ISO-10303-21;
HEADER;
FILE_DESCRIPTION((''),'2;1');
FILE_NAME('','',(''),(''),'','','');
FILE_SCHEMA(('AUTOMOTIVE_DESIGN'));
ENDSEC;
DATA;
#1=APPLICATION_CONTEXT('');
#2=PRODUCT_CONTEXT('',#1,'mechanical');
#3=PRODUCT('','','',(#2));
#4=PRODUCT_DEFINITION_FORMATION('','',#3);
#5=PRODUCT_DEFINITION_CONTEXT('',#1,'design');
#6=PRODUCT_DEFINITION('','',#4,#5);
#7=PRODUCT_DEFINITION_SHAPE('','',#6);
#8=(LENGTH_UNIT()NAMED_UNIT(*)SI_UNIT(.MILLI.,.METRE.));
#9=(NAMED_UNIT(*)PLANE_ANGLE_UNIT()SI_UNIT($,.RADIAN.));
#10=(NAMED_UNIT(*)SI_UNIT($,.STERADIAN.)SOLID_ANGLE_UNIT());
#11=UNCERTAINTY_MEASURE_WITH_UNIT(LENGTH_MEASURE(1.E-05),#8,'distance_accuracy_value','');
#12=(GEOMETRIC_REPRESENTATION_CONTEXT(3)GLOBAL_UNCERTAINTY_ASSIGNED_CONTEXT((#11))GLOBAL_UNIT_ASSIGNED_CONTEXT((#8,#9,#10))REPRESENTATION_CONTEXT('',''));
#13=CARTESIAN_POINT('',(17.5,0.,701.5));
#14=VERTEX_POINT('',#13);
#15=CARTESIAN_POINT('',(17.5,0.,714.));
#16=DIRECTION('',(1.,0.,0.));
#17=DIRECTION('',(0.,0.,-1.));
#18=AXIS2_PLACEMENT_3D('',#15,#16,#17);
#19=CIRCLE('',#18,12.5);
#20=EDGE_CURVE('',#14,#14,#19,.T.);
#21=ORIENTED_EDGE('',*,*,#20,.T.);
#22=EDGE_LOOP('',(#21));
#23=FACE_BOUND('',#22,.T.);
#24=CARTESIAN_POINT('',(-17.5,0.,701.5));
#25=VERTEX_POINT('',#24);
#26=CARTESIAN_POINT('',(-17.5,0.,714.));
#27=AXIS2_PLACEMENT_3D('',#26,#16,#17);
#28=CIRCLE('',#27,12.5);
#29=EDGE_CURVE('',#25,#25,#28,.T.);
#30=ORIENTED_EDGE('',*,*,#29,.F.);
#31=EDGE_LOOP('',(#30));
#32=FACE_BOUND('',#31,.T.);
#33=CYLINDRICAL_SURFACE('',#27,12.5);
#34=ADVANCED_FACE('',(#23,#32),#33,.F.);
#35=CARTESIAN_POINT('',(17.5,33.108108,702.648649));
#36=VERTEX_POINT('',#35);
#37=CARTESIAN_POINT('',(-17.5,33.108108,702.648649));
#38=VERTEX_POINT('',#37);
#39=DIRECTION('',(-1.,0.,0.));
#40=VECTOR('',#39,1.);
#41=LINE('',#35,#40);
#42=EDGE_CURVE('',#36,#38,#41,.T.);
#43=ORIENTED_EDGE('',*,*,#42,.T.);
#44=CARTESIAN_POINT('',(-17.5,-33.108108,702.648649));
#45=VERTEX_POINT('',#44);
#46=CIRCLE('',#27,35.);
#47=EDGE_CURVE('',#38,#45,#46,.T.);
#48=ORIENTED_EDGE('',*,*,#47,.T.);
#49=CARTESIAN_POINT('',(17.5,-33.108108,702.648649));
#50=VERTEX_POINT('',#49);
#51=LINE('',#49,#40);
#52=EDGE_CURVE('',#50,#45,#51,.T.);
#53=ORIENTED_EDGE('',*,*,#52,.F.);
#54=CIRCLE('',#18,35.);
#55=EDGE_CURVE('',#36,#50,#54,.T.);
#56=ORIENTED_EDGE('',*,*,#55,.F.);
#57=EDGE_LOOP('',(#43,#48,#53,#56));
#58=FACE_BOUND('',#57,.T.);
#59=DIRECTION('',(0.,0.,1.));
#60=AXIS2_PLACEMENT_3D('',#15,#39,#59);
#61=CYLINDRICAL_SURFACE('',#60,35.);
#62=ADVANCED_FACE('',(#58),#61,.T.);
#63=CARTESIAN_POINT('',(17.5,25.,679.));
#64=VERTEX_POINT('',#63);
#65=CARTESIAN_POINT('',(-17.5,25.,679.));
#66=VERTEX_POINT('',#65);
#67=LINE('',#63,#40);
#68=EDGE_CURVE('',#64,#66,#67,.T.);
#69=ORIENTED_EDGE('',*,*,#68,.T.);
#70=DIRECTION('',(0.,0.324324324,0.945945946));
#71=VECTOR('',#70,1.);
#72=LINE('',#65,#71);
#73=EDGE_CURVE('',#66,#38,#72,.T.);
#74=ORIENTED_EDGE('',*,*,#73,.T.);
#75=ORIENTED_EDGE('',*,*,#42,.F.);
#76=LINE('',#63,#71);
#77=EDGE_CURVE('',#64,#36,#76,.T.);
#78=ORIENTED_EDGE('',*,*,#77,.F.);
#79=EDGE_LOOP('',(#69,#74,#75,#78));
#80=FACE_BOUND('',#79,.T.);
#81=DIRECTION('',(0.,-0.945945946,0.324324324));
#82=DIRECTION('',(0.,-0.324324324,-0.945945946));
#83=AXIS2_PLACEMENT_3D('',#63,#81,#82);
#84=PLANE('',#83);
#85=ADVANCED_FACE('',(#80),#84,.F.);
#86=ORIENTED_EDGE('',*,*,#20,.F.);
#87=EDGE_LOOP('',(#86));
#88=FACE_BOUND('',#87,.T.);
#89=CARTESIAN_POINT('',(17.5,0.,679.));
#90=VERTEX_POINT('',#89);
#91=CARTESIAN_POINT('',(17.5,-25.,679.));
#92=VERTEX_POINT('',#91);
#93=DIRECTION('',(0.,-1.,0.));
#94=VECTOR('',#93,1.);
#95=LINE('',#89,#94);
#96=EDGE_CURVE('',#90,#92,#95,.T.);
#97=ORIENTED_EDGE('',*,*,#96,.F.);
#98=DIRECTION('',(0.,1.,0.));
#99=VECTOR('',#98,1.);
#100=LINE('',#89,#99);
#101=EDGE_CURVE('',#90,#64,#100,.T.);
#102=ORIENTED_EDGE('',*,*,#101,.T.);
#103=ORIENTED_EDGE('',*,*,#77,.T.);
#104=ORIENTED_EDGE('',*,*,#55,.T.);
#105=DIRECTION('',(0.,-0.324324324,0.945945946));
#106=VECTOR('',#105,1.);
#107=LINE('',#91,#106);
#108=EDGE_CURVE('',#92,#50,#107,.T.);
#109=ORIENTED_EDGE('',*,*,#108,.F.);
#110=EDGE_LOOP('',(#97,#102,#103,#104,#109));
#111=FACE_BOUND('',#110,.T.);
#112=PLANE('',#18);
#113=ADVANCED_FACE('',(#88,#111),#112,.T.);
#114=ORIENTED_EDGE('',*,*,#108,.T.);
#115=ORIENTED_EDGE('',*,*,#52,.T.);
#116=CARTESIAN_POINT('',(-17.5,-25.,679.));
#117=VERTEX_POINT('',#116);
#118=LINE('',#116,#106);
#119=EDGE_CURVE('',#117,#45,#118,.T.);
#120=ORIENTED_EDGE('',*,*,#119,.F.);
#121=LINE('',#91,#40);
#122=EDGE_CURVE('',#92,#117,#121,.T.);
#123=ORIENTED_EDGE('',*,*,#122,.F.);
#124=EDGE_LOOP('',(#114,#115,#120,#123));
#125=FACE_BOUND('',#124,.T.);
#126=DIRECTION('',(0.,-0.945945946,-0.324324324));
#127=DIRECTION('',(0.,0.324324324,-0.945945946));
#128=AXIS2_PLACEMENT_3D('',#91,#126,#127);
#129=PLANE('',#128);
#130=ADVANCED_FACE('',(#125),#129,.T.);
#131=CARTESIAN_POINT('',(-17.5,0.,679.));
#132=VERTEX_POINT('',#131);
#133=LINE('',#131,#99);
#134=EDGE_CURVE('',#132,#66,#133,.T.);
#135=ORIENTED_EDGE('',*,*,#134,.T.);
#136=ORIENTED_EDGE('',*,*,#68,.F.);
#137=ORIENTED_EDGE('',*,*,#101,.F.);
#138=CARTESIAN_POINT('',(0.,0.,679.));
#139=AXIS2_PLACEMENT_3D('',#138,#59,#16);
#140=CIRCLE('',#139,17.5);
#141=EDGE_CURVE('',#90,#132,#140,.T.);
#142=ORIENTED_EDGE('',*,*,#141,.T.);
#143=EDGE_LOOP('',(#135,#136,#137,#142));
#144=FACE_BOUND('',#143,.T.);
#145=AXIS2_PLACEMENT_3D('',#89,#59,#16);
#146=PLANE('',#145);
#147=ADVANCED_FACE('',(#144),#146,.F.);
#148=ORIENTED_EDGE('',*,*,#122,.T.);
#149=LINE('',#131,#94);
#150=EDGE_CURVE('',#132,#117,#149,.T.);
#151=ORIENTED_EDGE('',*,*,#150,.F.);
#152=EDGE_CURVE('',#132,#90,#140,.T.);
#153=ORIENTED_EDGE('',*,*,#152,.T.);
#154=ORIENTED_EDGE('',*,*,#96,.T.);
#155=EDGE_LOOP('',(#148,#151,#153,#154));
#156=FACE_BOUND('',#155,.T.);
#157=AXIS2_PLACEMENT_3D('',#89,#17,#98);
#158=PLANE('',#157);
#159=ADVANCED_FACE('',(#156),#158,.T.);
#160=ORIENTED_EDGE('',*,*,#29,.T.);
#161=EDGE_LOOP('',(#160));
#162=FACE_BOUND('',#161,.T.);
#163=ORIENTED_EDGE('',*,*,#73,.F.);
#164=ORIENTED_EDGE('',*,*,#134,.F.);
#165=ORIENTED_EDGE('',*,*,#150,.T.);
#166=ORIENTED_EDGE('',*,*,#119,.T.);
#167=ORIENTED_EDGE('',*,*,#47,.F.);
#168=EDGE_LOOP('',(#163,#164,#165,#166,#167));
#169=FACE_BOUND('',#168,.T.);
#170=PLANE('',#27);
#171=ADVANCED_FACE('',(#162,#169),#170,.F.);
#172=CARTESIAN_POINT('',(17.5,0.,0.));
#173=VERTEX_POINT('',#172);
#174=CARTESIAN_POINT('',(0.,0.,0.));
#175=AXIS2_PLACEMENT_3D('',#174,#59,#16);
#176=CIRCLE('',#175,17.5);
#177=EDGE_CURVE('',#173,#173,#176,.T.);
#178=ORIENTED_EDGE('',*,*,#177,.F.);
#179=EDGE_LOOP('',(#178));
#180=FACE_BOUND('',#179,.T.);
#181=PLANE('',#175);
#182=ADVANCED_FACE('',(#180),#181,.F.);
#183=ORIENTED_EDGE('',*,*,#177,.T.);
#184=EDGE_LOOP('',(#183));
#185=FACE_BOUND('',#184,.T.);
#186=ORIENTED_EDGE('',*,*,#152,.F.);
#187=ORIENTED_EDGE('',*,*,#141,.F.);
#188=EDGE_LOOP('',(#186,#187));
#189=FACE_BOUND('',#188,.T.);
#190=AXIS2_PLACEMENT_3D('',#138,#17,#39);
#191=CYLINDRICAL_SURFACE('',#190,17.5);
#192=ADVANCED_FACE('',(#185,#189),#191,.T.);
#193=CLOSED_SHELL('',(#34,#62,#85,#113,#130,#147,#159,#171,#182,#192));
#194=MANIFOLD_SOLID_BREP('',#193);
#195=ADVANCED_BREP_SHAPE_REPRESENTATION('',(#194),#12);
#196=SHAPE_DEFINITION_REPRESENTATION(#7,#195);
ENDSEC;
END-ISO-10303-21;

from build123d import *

# Parameters (mm, degrees)
SKETCH1_R           = 17.5
BOSS_EXTRUDE1_DEPTH = 679
BOSS_EXTRUDE3_DEPTH = 17.5
SKETCH5_R           = 12.5
CUT_EXTRUDE1_DEPTH  = 35


with BuildPart() as part:
    # Sketch1 → Boss-Extrude1 (new body)
    with BuildSketch(Plane.XY):
        Circle(SKETCH1_R)
    extrude(amount=BOSS_EXTRUDE1_DEPTH)

    # Sketch3 → Boss-Extrude3 (add, symmetric)
    with BuildSketch(Plane(origin=(0, 0, 0), x_dir=(0, 0, -1), z_dir=(1, 0, 0))):
        with BuildLine():
            Line((-679, 0), (-749, 0))
            ThreePointArc((-749, 0), (-734.34333678, 28.480671492), (-702.648648649, 33.108108108))
            Line((-702.648648649, 33.108108108), (-679, 25))
            Line((-679, 25), (-679, 0))
        make_face()
    boss_extrude3 = extrude(amount=BOSS_EXTRUDE3_DEPTH, both=True)

    # Mirror3: Boss-Extrude3 across plane
    add(boss_extrude3.mirror(Plane(origin=(17.5, 0, 679), x_dir=(0, 0, 1), z_dir=(0, 1, 0))))

    # Sketch5 → Cut-Extrude1 (cut)
    with BuildSketch(Plane(origin=(17.5, 0, 0), x_dir=(0, 0, -1), z_dir=(1, 0, 0))):
        with Locations((-714, 0)):
            Circle(SKETCH5_R)
    extrude(amount=-CUT_EXTRUDE1_DEPTH, mode=Mode.SUBTRACT)


solid = part.part
